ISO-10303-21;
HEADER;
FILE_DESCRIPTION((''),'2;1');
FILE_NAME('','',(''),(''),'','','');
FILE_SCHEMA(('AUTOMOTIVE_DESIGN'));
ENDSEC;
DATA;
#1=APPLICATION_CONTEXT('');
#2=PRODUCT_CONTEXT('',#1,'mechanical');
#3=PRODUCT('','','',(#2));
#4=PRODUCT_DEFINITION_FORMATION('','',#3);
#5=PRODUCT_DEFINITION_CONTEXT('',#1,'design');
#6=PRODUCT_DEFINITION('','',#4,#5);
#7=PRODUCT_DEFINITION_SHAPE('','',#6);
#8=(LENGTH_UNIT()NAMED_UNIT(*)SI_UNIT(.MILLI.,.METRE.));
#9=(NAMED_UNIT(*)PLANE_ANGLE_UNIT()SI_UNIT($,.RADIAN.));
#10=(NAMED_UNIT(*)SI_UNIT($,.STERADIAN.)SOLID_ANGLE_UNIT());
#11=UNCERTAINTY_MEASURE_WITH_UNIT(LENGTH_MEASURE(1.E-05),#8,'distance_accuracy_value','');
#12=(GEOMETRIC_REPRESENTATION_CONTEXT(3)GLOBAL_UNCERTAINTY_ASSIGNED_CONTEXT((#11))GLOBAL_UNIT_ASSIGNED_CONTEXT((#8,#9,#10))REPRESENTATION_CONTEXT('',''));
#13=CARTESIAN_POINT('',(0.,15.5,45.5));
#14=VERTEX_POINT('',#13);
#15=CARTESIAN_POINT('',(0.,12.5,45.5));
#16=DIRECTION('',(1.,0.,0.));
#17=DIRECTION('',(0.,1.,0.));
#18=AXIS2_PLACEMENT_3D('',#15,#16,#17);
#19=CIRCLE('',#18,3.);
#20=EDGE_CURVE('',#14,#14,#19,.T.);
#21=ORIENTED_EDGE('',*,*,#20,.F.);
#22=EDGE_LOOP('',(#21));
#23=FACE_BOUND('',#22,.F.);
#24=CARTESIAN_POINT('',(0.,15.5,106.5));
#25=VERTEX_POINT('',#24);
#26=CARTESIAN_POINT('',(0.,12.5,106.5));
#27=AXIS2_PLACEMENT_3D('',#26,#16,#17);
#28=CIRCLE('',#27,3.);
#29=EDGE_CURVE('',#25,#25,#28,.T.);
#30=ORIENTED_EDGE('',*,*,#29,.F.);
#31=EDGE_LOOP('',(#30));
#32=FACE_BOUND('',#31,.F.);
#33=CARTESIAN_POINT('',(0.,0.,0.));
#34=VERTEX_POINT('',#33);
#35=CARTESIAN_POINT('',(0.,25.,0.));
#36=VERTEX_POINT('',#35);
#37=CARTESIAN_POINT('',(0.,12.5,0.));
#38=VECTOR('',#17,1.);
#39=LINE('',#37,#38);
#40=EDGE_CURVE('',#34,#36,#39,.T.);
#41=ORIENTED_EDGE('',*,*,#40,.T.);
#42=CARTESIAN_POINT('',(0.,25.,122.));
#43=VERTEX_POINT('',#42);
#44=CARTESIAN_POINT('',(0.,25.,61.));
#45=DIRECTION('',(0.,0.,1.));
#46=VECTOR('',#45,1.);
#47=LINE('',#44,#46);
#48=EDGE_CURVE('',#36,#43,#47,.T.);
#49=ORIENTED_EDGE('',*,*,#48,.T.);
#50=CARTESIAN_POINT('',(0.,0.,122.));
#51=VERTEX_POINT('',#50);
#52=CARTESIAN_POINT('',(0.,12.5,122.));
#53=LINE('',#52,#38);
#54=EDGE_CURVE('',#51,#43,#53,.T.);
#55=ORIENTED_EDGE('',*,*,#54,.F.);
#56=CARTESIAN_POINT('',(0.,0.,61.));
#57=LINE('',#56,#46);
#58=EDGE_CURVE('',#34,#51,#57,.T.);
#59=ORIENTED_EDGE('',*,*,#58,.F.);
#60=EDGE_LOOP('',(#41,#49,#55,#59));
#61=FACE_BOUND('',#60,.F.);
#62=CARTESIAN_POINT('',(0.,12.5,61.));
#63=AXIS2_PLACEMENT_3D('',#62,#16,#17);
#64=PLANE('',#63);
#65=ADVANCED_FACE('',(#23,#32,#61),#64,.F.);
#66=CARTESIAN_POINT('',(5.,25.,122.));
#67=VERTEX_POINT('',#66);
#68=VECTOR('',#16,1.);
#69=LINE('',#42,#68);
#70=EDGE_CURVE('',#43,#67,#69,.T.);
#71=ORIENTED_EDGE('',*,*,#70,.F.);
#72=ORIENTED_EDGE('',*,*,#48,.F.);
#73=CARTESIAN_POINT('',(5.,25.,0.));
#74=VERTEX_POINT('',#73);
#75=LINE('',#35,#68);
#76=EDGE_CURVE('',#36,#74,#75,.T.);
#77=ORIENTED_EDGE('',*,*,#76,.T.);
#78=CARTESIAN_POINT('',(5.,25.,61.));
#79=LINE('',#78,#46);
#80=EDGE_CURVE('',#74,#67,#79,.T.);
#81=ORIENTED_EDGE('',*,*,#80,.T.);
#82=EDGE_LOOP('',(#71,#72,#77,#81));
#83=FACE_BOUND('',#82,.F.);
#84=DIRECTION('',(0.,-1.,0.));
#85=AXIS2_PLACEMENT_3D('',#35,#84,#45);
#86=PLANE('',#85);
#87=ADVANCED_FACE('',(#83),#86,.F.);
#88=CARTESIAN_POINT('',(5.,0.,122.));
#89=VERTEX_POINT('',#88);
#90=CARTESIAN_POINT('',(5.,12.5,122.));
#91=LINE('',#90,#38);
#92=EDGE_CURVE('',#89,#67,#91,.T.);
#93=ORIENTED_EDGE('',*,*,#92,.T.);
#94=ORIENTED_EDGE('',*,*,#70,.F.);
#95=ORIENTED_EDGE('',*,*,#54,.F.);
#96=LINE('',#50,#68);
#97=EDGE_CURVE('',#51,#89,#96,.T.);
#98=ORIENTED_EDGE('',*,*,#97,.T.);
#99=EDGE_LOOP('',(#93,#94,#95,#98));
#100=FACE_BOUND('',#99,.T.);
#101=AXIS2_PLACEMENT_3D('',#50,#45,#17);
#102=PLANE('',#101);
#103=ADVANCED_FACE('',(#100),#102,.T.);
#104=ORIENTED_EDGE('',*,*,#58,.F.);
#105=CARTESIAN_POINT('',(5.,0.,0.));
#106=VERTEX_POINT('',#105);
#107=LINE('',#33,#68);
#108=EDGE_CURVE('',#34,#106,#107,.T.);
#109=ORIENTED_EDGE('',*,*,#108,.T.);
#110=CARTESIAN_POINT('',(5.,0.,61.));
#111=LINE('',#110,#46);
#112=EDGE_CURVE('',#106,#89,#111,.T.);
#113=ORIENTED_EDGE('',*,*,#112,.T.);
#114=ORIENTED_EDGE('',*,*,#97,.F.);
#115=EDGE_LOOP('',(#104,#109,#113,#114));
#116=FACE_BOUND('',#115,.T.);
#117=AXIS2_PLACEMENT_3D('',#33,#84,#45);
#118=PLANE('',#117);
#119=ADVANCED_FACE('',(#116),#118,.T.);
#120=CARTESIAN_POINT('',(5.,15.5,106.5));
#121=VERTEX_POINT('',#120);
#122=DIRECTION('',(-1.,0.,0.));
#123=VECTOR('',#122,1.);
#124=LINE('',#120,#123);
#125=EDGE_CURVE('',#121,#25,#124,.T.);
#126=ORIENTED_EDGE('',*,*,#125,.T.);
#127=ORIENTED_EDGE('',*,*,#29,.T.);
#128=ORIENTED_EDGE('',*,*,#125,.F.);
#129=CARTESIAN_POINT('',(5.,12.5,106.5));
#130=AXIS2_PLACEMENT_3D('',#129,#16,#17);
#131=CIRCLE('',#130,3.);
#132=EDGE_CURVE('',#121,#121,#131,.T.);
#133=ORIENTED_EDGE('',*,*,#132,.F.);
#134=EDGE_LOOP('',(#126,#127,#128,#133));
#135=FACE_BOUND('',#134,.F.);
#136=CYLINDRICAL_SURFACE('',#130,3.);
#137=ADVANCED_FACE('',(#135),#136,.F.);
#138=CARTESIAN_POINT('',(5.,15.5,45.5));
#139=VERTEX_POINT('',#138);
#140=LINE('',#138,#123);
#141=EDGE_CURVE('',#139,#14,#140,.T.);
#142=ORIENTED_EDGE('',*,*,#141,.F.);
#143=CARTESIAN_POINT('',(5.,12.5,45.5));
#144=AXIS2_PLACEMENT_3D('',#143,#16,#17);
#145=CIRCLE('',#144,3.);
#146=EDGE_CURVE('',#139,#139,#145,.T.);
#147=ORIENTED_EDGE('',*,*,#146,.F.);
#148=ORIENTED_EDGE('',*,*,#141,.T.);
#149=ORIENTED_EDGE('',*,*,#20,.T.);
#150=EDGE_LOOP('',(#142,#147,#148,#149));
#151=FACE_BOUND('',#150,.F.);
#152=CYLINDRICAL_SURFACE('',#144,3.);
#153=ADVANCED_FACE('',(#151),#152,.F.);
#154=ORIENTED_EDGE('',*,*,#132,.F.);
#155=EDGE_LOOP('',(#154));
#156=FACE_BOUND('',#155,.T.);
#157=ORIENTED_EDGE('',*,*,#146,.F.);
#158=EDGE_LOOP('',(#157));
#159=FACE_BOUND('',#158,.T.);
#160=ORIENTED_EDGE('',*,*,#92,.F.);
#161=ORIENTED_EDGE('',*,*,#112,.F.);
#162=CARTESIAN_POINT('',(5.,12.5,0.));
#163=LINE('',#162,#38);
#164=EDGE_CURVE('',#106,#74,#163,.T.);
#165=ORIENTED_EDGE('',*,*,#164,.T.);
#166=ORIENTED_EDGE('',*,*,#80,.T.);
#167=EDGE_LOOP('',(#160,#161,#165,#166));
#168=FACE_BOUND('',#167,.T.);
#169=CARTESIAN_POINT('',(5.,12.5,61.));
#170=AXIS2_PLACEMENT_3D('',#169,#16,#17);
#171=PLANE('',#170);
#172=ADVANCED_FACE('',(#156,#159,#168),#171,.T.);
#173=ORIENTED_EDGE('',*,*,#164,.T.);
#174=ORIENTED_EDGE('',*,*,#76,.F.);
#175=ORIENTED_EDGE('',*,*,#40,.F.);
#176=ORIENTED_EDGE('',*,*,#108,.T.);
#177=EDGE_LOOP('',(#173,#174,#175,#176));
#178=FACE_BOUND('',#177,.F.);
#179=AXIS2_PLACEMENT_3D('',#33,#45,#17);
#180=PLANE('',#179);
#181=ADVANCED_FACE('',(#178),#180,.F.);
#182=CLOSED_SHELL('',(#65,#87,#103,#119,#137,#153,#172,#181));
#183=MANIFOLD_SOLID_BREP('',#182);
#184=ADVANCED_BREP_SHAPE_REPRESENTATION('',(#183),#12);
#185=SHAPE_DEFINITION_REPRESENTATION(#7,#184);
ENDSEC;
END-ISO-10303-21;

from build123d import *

# Parameters (mm, degrees)
F0_W     = 25
F0_H     = 122
F1_DEPTH = 5
F2_R     = 3
F3_DEPTH = 25


with BuildPart() as f1:
    # F0 (on Right) → F1 (new body)
    with BuildSketch(Plane.YZ):
        with Locations((12.5, 61)):
            Rectangle(F0_W, F0_H)
    extrude(amount=F1_DEPTH)

    # F2 (on face) → F3 (cut)
    with BuildSketch(Plane.YZ.offset(5)):
        with Locations((12.5, 106.5)):
            Circle(F2_R)
        with Locations((12.5, 45.5)):
            Circle(F2_R)
    extrude(amount=-F3_DEPTH, mode=Mode.SUBTRACT)


solid = f1.part
